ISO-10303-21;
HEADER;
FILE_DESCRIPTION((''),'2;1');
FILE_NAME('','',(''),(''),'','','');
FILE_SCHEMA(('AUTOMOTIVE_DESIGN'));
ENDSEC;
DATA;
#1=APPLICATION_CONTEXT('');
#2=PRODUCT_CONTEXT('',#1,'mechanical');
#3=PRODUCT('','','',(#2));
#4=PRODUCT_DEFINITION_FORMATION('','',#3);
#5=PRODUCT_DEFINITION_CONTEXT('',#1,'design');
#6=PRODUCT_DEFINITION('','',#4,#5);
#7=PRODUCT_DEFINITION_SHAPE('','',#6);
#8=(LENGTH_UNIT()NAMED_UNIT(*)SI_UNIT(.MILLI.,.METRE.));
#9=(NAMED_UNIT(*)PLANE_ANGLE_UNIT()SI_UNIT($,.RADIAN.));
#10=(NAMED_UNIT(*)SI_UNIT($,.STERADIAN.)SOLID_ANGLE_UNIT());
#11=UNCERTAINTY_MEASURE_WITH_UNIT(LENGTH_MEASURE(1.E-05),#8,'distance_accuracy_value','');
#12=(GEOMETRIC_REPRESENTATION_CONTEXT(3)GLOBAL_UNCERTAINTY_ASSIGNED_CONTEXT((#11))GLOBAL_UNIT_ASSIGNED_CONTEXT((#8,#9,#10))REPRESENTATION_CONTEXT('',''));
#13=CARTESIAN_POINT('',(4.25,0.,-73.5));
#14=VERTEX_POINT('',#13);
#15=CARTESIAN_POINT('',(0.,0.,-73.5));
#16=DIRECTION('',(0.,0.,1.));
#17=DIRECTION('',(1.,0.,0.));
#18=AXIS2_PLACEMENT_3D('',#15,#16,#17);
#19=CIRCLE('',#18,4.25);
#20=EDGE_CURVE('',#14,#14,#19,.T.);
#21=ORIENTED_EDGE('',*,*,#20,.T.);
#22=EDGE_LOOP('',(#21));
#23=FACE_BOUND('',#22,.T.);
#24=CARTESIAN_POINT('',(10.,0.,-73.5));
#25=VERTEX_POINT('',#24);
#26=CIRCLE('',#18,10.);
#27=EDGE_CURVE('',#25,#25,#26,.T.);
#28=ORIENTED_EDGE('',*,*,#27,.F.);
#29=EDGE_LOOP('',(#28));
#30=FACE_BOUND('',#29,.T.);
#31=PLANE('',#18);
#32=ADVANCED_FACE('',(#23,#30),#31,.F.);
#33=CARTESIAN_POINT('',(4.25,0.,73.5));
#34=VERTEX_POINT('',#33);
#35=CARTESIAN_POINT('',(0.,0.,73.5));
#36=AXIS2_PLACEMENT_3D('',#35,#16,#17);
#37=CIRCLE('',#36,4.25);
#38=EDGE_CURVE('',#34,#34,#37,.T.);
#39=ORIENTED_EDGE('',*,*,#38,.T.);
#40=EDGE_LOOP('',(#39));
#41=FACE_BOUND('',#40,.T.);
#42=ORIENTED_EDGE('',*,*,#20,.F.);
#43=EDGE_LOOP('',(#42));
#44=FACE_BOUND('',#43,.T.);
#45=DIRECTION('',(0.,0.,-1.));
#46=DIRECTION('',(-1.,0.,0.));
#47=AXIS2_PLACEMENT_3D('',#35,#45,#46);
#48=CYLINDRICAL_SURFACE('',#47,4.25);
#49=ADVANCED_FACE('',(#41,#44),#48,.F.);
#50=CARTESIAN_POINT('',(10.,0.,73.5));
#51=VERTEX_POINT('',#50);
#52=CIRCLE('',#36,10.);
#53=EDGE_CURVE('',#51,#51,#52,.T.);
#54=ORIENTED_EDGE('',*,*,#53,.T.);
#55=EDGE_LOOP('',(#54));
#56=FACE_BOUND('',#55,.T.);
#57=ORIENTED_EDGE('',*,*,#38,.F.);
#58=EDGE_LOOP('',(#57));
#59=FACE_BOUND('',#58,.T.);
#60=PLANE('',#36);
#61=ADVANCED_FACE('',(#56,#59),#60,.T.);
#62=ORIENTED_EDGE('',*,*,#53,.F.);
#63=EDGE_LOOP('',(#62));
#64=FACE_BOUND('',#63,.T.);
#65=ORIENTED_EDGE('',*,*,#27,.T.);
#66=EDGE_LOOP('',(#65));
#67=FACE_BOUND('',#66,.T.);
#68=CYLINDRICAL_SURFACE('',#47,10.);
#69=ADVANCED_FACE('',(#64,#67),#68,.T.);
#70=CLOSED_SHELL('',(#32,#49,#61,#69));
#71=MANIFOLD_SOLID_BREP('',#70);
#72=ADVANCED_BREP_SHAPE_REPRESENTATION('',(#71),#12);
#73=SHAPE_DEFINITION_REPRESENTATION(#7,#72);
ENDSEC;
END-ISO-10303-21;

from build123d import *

# Parameters (mm, degrees)
ESBO_O1_R                = 10
ESBO_O1_R_2              = 4.25
RESSALTO_EXTRUS_O1_DEPTH = 73.5


with BuildPart() as part:
    # Esboço1 → Ressalto-extrusão1 (new, symmetric)
    with BuildSketch(Plane.XY):
        Circle(ESBO_O1_R)
        Circle(ESBO_O1_R_2, mode=Mode.SUBTRACT)
    extrude(amount=RESSALTO_EXTRUS_O1_DEPTH, both=True)


solid = part.part
